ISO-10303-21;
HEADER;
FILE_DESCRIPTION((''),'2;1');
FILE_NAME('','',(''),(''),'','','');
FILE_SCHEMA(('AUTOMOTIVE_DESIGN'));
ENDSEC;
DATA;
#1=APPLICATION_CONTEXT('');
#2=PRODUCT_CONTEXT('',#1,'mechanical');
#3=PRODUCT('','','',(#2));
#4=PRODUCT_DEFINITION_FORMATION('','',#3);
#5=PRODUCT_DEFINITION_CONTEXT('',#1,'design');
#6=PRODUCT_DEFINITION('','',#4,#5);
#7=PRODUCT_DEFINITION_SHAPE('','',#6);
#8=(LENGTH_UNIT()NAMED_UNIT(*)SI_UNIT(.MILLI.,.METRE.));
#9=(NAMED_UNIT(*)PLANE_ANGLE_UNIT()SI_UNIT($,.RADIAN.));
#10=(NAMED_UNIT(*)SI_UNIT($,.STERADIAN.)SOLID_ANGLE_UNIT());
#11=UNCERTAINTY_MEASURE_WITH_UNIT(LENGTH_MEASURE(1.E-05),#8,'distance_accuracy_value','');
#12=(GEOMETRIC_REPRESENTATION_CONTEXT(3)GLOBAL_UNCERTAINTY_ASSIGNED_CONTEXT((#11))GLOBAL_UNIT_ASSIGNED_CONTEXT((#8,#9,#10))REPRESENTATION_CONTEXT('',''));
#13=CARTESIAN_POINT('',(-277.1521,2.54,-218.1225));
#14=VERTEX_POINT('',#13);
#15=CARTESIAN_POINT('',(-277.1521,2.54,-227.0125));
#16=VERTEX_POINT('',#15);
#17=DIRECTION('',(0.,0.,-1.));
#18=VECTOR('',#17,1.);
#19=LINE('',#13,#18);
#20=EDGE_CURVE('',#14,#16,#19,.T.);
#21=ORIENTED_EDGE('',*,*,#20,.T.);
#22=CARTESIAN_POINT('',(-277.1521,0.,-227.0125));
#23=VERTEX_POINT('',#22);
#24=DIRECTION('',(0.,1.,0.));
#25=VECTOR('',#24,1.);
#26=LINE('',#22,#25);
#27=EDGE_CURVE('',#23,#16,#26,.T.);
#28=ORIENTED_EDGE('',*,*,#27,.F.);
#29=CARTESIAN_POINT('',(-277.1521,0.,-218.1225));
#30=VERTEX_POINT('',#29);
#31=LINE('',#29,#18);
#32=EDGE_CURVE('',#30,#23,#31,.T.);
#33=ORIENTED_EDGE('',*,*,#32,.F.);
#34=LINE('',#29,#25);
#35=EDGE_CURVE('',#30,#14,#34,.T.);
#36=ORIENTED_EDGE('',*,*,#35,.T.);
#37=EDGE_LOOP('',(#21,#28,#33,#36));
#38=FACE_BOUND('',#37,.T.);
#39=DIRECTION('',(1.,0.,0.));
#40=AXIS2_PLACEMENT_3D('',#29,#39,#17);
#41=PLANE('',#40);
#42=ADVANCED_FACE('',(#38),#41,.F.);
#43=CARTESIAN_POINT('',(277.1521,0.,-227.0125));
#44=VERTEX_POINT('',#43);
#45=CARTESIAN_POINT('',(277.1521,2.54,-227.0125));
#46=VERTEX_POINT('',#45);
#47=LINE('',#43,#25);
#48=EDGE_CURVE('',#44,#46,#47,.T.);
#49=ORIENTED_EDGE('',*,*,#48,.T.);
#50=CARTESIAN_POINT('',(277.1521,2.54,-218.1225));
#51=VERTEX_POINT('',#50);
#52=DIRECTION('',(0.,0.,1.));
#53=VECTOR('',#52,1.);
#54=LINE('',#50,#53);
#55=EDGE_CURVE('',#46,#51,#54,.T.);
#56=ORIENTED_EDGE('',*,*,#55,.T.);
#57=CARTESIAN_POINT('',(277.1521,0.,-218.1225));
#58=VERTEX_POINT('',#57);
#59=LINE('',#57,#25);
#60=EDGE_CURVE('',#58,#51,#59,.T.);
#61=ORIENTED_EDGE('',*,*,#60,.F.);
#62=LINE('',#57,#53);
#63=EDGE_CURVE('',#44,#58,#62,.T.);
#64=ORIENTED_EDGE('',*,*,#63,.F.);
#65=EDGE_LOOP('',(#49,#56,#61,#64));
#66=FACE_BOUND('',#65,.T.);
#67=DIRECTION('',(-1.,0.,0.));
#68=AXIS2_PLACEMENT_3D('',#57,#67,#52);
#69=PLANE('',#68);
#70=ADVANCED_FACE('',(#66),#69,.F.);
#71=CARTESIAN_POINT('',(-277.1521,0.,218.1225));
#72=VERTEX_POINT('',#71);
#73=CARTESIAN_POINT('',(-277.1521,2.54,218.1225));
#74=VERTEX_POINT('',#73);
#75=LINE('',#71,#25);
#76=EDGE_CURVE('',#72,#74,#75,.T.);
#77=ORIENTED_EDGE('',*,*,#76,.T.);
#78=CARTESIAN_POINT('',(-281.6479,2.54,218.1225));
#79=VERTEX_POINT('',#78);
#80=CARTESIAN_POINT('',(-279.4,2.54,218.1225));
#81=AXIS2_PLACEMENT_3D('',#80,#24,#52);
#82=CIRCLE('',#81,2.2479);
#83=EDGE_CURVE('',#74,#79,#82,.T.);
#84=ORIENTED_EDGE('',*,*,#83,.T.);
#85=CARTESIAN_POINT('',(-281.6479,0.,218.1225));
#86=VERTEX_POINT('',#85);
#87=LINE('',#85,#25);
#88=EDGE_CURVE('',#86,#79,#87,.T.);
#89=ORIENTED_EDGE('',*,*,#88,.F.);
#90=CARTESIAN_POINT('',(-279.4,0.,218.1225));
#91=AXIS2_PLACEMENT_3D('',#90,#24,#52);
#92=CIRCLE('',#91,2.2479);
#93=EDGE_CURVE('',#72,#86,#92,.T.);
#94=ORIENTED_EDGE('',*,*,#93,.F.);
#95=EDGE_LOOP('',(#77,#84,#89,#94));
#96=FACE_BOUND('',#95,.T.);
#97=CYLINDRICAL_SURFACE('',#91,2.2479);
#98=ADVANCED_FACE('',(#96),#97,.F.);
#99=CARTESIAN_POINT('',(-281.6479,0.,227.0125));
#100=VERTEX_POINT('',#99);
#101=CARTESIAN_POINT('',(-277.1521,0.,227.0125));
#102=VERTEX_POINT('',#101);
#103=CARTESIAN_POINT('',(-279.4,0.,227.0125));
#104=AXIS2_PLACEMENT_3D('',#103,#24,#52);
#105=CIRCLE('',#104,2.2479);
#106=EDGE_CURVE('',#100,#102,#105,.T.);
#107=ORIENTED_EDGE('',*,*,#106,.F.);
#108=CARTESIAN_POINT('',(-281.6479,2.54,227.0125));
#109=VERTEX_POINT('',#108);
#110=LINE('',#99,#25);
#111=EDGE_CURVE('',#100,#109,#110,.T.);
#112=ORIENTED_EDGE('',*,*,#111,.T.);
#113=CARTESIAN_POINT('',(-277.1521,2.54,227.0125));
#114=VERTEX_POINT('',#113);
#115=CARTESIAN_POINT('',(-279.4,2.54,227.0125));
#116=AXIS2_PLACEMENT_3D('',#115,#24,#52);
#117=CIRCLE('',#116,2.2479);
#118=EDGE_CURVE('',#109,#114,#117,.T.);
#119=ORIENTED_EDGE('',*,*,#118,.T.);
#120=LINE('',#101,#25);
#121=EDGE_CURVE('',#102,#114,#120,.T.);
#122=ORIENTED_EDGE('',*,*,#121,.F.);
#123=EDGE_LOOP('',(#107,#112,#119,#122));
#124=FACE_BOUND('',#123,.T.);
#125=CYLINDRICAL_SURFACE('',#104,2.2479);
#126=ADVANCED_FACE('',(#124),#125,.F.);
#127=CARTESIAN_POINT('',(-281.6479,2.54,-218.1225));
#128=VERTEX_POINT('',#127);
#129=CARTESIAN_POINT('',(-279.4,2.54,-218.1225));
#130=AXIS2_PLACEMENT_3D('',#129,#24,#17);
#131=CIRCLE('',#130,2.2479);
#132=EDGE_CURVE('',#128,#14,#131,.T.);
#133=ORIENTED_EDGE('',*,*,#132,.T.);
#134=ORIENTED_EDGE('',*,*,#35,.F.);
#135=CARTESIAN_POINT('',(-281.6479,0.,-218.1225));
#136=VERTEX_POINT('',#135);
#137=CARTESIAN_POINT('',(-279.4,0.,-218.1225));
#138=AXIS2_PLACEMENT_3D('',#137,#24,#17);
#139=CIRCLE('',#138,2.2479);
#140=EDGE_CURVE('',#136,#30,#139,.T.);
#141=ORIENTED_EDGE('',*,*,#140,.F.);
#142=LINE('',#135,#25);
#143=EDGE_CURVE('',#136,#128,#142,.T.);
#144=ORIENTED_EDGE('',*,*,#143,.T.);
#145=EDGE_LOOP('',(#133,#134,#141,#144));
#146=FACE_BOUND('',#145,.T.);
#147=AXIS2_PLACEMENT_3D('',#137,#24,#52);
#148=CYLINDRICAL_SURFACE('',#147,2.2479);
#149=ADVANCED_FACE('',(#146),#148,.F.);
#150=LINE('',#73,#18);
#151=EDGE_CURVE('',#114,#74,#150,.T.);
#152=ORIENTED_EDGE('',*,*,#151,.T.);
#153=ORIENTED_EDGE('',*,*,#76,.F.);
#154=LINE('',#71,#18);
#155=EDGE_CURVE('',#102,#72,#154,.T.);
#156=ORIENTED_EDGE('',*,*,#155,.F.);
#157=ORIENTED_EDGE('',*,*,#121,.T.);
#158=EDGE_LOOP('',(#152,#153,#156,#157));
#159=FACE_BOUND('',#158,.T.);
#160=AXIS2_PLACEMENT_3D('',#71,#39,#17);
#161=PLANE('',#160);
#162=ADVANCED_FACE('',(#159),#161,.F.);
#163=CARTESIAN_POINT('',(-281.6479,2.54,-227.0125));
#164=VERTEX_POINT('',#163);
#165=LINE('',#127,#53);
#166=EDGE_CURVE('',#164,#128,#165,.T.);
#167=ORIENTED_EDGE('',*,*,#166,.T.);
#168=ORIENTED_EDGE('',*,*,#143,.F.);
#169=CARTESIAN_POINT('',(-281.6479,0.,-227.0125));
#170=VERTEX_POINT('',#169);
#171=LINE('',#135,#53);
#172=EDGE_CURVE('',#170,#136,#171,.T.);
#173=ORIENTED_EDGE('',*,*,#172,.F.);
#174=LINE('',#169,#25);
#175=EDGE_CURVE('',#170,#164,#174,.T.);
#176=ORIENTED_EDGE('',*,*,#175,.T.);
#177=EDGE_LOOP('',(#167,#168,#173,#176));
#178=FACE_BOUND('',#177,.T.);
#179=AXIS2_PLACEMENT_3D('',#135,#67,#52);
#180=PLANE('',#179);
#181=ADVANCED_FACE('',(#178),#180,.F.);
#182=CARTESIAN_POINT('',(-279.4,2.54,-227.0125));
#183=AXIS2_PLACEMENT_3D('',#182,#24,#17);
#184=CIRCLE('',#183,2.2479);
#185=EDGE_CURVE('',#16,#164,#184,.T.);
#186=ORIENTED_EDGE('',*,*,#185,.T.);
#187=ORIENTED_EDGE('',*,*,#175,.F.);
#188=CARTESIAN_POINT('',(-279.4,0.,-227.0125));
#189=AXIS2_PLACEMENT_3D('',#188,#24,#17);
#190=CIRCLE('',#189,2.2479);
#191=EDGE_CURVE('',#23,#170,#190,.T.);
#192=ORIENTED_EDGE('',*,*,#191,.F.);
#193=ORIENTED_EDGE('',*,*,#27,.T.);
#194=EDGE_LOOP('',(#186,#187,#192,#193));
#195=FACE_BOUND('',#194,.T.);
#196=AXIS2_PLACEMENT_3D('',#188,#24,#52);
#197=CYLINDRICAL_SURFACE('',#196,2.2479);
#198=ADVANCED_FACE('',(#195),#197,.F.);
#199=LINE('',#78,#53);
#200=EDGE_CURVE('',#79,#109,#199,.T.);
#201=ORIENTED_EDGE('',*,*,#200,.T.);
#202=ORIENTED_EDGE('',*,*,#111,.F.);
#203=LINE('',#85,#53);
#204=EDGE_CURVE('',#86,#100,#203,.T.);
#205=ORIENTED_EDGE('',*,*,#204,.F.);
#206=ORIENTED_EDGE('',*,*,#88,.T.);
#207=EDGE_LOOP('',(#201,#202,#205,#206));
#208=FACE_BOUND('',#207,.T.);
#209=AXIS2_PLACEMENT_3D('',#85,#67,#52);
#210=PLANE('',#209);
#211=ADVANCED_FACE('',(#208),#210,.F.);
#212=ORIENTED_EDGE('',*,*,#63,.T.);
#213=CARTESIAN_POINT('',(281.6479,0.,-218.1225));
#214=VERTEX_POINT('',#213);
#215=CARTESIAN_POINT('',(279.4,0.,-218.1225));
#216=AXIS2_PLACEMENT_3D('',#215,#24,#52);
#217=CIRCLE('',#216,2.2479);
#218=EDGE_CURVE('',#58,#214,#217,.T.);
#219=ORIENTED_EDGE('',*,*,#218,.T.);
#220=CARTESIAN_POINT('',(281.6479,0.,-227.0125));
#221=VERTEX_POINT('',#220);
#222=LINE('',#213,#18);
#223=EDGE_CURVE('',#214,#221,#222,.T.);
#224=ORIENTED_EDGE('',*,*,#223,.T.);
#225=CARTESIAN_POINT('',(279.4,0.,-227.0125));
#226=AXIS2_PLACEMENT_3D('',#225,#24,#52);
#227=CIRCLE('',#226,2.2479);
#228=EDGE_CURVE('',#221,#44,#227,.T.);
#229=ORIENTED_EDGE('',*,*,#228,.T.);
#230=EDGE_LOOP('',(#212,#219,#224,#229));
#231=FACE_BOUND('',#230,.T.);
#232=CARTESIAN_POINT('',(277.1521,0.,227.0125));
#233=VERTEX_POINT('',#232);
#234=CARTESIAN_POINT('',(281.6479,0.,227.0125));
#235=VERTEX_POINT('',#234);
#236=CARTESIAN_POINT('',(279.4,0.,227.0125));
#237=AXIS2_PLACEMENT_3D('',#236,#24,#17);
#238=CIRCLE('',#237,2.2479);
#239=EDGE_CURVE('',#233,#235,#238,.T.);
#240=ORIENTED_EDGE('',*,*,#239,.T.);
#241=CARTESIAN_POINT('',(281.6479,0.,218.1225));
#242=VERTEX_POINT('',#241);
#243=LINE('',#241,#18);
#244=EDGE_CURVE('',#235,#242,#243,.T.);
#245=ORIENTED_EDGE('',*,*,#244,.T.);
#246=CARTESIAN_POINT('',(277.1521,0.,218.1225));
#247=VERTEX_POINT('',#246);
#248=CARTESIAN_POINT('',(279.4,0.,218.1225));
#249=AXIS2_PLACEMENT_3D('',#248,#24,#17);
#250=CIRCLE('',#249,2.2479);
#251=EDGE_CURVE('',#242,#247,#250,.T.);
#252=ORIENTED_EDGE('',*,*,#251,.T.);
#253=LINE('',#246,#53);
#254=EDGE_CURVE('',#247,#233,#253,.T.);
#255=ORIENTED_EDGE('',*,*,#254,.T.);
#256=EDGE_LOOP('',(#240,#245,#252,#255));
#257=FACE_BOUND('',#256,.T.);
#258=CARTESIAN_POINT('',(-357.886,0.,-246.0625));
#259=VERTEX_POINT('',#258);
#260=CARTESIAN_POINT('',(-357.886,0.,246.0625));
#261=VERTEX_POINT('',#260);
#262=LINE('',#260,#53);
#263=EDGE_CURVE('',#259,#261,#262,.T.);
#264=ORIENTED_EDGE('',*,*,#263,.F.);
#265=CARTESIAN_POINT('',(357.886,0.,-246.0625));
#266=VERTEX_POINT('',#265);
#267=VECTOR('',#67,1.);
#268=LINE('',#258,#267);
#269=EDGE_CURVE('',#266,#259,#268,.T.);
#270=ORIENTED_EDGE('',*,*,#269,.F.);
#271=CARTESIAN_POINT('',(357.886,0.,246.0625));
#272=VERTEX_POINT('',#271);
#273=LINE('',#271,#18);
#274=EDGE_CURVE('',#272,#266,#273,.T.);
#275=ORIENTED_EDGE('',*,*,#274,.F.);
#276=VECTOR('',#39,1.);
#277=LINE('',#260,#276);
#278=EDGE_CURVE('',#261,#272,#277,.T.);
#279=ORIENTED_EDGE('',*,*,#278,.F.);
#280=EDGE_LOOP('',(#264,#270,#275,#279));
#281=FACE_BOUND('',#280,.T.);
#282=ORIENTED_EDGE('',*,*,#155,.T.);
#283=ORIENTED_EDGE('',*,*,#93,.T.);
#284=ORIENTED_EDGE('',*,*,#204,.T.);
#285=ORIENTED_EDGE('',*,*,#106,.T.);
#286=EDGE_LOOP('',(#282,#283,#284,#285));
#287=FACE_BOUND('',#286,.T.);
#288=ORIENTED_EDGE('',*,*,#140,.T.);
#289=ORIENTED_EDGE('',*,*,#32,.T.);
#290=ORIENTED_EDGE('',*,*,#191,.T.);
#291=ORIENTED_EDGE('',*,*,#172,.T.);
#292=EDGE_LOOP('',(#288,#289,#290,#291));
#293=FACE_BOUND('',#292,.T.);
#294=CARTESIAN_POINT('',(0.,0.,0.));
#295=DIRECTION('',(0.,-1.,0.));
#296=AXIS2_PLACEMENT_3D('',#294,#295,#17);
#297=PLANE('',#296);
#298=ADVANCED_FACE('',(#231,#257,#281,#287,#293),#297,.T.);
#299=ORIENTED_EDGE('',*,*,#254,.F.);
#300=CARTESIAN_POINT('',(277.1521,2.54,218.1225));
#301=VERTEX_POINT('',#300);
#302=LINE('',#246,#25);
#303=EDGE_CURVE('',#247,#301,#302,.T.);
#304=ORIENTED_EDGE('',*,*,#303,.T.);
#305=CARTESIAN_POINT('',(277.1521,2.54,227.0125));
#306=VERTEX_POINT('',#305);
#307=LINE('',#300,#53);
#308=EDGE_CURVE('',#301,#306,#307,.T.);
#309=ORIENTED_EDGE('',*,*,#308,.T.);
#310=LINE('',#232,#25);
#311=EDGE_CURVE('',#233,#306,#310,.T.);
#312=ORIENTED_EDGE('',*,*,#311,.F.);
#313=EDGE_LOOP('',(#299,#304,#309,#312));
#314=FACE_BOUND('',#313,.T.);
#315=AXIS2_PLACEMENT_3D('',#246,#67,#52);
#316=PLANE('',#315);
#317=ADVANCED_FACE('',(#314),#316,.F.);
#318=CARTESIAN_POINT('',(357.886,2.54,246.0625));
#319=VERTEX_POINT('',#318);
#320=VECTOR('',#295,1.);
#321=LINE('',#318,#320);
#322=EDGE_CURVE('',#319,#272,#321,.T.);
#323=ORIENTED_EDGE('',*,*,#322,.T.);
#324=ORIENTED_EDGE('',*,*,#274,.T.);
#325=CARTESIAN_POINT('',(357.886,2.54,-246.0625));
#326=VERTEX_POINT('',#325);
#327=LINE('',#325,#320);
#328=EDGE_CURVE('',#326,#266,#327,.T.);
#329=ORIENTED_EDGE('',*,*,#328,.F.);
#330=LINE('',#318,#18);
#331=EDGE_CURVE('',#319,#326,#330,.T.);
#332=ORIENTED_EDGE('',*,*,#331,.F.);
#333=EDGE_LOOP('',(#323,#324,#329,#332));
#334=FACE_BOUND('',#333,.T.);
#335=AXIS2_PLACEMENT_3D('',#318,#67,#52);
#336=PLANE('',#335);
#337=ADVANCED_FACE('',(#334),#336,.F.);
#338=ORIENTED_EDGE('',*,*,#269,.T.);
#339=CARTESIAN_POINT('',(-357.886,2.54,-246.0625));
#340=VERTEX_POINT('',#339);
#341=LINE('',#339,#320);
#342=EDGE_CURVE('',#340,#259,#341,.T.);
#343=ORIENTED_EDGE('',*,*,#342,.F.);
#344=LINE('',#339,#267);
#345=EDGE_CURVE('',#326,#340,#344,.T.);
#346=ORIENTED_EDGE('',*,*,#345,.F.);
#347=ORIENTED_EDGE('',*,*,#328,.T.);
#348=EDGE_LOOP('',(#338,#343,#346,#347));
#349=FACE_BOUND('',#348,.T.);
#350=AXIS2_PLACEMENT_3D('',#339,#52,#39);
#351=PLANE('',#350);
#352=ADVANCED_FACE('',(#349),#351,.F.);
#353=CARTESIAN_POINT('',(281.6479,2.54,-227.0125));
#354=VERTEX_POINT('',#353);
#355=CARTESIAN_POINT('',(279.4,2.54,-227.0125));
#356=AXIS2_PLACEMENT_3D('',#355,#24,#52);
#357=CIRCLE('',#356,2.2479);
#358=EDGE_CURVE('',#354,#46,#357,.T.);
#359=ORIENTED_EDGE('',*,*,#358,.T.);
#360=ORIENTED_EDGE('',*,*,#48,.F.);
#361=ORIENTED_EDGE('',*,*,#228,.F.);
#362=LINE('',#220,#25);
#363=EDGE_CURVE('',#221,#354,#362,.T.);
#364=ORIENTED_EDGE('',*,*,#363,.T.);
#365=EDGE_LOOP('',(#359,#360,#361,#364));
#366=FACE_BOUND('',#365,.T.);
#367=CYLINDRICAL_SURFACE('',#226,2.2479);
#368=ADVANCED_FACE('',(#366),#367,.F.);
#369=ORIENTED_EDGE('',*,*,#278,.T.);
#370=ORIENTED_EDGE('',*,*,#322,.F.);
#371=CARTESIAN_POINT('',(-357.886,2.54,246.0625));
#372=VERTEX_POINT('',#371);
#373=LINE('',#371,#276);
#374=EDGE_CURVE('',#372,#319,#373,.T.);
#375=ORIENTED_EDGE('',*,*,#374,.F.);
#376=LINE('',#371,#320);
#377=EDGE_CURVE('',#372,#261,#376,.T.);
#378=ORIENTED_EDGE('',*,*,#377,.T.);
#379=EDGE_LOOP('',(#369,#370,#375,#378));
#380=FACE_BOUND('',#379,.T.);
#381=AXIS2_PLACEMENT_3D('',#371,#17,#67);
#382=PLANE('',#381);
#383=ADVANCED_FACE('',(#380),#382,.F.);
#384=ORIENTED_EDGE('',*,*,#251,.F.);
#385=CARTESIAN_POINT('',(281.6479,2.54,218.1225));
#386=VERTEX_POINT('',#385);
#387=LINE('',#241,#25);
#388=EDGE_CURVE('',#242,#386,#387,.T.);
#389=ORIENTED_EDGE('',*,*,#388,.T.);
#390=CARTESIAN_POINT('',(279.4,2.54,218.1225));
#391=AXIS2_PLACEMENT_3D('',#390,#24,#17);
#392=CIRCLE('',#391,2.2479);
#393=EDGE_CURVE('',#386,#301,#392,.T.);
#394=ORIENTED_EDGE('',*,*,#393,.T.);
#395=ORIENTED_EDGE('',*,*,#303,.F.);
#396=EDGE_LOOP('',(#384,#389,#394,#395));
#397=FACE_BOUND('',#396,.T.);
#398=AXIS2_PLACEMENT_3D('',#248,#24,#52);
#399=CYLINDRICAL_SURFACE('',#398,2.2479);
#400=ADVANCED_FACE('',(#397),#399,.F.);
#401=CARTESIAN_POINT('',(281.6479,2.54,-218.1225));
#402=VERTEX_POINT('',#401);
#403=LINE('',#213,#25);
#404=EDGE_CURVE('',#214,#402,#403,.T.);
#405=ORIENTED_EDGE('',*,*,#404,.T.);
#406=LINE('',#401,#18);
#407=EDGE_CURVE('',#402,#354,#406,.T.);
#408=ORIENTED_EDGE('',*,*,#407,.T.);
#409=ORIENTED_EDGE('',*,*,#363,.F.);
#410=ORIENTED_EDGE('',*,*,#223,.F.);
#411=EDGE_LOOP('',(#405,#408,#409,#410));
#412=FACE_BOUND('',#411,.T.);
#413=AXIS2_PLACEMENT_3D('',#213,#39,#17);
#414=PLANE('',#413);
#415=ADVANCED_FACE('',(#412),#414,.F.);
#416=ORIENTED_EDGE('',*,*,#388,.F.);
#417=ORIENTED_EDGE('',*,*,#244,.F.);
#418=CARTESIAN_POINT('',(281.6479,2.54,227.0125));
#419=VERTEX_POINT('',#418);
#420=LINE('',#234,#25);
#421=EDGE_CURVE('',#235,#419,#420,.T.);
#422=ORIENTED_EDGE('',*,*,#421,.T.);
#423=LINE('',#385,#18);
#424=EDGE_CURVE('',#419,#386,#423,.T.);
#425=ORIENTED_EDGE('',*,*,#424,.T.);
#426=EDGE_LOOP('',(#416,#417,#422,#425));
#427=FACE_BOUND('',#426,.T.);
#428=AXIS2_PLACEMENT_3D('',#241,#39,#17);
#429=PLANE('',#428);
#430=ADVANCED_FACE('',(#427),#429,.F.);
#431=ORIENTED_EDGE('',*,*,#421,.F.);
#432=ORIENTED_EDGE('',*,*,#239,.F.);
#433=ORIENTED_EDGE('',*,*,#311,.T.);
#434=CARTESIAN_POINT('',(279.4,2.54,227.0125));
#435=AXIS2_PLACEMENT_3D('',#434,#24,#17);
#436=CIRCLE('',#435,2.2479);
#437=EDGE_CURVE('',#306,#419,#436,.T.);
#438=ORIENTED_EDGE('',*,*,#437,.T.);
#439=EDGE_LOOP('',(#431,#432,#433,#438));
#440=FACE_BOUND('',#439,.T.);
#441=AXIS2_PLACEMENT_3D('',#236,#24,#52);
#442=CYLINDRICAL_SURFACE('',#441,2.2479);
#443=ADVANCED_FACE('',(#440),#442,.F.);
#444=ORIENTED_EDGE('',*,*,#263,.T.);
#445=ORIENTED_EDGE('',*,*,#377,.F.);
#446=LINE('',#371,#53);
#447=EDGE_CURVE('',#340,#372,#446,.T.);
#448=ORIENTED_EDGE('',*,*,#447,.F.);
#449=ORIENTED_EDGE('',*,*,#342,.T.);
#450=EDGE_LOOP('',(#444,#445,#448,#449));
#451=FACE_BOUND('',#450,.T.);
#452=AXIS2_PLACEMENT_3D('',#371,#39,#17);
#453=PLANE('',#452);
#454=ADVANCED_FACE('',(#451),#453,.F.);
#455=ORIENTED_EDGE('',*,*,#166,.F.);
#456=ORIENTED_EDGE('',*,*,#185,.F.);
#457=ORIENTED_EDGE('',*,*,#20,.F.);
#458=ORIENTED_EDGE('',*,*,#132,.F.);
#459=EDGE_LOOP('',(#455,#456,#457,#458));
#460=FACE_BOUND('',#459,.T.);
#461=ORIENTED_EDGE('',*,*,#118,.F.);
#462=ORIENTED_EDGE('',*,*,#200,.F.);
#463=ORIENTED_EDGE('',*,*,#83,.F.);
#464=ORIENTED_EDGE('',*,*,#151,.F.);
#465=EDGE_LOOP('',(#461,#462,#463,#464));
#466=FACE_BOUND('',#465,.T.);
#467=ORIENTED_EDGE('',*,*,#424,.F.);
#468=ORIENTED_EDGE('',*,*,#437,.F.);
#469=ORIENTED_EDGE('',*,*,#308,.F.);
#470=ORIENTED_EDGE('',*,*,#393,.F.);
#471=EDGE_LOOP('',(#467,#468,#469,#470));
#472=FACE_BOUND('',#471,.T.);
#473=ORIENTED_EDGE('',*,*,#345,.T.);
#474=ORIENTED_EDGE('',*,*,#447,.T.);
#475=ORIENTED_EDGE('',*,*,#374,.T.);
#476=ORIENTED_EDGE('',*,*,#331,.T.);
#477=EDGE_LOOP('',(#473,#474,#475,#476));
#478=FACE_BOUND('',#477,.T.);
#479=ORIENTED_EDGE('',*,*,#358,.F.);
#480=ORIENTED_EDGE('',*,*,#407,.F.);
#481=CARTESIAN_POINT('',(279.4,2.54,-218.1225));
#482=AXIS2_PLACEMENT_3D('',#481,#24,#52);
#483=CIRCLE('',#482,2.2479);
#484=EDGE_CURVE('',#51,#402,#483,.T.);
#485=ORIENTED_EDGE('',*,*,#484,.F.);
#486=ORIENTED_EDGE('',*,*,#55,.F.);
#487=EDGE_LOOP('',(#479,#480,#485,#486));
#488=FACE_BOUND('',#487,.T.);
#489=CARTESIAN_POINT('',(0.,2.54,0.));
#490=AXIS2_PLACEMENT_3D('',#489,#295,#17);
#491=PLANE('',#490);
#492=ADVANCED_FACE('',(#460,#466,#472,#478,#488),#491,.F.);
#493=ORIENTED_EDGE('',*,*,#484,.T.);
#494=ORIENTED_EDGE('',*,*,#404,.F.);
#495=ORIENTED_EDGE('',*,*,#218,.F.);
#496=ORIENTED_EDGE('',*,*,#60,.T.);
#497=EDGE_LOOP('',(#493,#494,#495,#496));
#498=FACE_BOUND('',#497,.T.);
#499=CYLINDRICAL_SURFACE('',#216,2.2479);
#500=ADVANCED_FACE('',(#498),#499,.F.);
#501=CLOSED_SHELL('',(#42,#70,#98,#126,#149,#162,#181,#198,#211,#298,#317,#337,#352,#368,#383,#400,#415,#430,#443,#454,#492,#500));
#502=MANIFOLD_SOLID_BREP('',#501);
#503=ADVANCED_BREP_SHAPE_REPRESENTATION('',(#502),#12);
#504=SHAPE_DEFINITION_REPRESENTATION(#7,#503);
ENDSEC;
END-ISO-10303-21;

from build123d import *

# Parameters (mm, degrees)
SKETCH1_W           = 715.772
SKETCH1_H           = 492.125
BOSS_EXTRUDE1_DEPTH = 2.54
CUT_EXTRUDE2_DEPTH  = 3.54


with BuildPart() as part:
    # Sketch1 → Boss-Extrude1 (new body)
    with BuildSketch(Plane(origin=(0, 0, 0), x_dir=(1, 0, 0), z_dir=(0, 1, 0))):
        Rectangle(SKETCH1_W, SKETCH1_H)
    extrude(amount=BOSS_EXTRUDE1_DEPTH)

    # Sketch6 → Cut-Extrude2 (cut, through all)
    with BuildSketch(Plane(origin=(0, 2.54, 0), x_dir=(1, 0, 0), z_dir=(0, 1, 0))):
        with BuildLine():
            Line((277.1521, 218.1225), (277.1521, 227.0125))
            ThreePointArc((277.1521, 227.0125), (279.4, 229.2604), (281.6479, 227.0125))
            Line((281.6479, 227.0125), (281.6479, 218.1225))
            ThreePointArc((281.6479, 218.1225), (279.4, 215.8746), (277.1521, 218.1225))
        make_face()
        with BuildLine():
            Line((-277.1521, 218.1225), (-277.1521, 227.0125))
            ThreePointArc((-277.1521, 227.0125), (-279.4, 229.2604), (-281.6479, 227.0125))
            Line((-281.6479, 227.0125), (-281.6479, 218.1225))
            ThreePointArc((-281.6479, 218.1225), (-279.4, 215.8746), (-277.1521, 218.1225))
        make_face()
        with BuildLine():
            Line((277.1521, -218.1225), (277.1521, -227.0125))
            ThreePointArc((277.1521, -227.0125), (279.4, -229.2604), (281.6479, -227.0125))
            Line((281.6479, -227.0125), (281.6479, -218.1225))
            ThreePointArc((281.6479, -218.1225), (279.4, -215.8746), (277.1521, -218.1225))
        make_face()
        with BuildLine():
            Line((-277.1521, -218.1225), (-277.1521, -227.0125))
            ThreePointArc((-277.1521, -227.0125), (-279.4, -229.2604), (-281.6479, -227.0125))
            Line((-281.6479, -227.0125), (-281.6479, -218.1225))
            ThreePointArc((-281.6479, -218.1225), (-279.4, -215.8746), (-277.1521, -218.1225))
        make_face()
    extrude(amount=-CUT_EXTRUDE2_DEPTH, mode=Mode.SUBTRACT)


solid = part.part
